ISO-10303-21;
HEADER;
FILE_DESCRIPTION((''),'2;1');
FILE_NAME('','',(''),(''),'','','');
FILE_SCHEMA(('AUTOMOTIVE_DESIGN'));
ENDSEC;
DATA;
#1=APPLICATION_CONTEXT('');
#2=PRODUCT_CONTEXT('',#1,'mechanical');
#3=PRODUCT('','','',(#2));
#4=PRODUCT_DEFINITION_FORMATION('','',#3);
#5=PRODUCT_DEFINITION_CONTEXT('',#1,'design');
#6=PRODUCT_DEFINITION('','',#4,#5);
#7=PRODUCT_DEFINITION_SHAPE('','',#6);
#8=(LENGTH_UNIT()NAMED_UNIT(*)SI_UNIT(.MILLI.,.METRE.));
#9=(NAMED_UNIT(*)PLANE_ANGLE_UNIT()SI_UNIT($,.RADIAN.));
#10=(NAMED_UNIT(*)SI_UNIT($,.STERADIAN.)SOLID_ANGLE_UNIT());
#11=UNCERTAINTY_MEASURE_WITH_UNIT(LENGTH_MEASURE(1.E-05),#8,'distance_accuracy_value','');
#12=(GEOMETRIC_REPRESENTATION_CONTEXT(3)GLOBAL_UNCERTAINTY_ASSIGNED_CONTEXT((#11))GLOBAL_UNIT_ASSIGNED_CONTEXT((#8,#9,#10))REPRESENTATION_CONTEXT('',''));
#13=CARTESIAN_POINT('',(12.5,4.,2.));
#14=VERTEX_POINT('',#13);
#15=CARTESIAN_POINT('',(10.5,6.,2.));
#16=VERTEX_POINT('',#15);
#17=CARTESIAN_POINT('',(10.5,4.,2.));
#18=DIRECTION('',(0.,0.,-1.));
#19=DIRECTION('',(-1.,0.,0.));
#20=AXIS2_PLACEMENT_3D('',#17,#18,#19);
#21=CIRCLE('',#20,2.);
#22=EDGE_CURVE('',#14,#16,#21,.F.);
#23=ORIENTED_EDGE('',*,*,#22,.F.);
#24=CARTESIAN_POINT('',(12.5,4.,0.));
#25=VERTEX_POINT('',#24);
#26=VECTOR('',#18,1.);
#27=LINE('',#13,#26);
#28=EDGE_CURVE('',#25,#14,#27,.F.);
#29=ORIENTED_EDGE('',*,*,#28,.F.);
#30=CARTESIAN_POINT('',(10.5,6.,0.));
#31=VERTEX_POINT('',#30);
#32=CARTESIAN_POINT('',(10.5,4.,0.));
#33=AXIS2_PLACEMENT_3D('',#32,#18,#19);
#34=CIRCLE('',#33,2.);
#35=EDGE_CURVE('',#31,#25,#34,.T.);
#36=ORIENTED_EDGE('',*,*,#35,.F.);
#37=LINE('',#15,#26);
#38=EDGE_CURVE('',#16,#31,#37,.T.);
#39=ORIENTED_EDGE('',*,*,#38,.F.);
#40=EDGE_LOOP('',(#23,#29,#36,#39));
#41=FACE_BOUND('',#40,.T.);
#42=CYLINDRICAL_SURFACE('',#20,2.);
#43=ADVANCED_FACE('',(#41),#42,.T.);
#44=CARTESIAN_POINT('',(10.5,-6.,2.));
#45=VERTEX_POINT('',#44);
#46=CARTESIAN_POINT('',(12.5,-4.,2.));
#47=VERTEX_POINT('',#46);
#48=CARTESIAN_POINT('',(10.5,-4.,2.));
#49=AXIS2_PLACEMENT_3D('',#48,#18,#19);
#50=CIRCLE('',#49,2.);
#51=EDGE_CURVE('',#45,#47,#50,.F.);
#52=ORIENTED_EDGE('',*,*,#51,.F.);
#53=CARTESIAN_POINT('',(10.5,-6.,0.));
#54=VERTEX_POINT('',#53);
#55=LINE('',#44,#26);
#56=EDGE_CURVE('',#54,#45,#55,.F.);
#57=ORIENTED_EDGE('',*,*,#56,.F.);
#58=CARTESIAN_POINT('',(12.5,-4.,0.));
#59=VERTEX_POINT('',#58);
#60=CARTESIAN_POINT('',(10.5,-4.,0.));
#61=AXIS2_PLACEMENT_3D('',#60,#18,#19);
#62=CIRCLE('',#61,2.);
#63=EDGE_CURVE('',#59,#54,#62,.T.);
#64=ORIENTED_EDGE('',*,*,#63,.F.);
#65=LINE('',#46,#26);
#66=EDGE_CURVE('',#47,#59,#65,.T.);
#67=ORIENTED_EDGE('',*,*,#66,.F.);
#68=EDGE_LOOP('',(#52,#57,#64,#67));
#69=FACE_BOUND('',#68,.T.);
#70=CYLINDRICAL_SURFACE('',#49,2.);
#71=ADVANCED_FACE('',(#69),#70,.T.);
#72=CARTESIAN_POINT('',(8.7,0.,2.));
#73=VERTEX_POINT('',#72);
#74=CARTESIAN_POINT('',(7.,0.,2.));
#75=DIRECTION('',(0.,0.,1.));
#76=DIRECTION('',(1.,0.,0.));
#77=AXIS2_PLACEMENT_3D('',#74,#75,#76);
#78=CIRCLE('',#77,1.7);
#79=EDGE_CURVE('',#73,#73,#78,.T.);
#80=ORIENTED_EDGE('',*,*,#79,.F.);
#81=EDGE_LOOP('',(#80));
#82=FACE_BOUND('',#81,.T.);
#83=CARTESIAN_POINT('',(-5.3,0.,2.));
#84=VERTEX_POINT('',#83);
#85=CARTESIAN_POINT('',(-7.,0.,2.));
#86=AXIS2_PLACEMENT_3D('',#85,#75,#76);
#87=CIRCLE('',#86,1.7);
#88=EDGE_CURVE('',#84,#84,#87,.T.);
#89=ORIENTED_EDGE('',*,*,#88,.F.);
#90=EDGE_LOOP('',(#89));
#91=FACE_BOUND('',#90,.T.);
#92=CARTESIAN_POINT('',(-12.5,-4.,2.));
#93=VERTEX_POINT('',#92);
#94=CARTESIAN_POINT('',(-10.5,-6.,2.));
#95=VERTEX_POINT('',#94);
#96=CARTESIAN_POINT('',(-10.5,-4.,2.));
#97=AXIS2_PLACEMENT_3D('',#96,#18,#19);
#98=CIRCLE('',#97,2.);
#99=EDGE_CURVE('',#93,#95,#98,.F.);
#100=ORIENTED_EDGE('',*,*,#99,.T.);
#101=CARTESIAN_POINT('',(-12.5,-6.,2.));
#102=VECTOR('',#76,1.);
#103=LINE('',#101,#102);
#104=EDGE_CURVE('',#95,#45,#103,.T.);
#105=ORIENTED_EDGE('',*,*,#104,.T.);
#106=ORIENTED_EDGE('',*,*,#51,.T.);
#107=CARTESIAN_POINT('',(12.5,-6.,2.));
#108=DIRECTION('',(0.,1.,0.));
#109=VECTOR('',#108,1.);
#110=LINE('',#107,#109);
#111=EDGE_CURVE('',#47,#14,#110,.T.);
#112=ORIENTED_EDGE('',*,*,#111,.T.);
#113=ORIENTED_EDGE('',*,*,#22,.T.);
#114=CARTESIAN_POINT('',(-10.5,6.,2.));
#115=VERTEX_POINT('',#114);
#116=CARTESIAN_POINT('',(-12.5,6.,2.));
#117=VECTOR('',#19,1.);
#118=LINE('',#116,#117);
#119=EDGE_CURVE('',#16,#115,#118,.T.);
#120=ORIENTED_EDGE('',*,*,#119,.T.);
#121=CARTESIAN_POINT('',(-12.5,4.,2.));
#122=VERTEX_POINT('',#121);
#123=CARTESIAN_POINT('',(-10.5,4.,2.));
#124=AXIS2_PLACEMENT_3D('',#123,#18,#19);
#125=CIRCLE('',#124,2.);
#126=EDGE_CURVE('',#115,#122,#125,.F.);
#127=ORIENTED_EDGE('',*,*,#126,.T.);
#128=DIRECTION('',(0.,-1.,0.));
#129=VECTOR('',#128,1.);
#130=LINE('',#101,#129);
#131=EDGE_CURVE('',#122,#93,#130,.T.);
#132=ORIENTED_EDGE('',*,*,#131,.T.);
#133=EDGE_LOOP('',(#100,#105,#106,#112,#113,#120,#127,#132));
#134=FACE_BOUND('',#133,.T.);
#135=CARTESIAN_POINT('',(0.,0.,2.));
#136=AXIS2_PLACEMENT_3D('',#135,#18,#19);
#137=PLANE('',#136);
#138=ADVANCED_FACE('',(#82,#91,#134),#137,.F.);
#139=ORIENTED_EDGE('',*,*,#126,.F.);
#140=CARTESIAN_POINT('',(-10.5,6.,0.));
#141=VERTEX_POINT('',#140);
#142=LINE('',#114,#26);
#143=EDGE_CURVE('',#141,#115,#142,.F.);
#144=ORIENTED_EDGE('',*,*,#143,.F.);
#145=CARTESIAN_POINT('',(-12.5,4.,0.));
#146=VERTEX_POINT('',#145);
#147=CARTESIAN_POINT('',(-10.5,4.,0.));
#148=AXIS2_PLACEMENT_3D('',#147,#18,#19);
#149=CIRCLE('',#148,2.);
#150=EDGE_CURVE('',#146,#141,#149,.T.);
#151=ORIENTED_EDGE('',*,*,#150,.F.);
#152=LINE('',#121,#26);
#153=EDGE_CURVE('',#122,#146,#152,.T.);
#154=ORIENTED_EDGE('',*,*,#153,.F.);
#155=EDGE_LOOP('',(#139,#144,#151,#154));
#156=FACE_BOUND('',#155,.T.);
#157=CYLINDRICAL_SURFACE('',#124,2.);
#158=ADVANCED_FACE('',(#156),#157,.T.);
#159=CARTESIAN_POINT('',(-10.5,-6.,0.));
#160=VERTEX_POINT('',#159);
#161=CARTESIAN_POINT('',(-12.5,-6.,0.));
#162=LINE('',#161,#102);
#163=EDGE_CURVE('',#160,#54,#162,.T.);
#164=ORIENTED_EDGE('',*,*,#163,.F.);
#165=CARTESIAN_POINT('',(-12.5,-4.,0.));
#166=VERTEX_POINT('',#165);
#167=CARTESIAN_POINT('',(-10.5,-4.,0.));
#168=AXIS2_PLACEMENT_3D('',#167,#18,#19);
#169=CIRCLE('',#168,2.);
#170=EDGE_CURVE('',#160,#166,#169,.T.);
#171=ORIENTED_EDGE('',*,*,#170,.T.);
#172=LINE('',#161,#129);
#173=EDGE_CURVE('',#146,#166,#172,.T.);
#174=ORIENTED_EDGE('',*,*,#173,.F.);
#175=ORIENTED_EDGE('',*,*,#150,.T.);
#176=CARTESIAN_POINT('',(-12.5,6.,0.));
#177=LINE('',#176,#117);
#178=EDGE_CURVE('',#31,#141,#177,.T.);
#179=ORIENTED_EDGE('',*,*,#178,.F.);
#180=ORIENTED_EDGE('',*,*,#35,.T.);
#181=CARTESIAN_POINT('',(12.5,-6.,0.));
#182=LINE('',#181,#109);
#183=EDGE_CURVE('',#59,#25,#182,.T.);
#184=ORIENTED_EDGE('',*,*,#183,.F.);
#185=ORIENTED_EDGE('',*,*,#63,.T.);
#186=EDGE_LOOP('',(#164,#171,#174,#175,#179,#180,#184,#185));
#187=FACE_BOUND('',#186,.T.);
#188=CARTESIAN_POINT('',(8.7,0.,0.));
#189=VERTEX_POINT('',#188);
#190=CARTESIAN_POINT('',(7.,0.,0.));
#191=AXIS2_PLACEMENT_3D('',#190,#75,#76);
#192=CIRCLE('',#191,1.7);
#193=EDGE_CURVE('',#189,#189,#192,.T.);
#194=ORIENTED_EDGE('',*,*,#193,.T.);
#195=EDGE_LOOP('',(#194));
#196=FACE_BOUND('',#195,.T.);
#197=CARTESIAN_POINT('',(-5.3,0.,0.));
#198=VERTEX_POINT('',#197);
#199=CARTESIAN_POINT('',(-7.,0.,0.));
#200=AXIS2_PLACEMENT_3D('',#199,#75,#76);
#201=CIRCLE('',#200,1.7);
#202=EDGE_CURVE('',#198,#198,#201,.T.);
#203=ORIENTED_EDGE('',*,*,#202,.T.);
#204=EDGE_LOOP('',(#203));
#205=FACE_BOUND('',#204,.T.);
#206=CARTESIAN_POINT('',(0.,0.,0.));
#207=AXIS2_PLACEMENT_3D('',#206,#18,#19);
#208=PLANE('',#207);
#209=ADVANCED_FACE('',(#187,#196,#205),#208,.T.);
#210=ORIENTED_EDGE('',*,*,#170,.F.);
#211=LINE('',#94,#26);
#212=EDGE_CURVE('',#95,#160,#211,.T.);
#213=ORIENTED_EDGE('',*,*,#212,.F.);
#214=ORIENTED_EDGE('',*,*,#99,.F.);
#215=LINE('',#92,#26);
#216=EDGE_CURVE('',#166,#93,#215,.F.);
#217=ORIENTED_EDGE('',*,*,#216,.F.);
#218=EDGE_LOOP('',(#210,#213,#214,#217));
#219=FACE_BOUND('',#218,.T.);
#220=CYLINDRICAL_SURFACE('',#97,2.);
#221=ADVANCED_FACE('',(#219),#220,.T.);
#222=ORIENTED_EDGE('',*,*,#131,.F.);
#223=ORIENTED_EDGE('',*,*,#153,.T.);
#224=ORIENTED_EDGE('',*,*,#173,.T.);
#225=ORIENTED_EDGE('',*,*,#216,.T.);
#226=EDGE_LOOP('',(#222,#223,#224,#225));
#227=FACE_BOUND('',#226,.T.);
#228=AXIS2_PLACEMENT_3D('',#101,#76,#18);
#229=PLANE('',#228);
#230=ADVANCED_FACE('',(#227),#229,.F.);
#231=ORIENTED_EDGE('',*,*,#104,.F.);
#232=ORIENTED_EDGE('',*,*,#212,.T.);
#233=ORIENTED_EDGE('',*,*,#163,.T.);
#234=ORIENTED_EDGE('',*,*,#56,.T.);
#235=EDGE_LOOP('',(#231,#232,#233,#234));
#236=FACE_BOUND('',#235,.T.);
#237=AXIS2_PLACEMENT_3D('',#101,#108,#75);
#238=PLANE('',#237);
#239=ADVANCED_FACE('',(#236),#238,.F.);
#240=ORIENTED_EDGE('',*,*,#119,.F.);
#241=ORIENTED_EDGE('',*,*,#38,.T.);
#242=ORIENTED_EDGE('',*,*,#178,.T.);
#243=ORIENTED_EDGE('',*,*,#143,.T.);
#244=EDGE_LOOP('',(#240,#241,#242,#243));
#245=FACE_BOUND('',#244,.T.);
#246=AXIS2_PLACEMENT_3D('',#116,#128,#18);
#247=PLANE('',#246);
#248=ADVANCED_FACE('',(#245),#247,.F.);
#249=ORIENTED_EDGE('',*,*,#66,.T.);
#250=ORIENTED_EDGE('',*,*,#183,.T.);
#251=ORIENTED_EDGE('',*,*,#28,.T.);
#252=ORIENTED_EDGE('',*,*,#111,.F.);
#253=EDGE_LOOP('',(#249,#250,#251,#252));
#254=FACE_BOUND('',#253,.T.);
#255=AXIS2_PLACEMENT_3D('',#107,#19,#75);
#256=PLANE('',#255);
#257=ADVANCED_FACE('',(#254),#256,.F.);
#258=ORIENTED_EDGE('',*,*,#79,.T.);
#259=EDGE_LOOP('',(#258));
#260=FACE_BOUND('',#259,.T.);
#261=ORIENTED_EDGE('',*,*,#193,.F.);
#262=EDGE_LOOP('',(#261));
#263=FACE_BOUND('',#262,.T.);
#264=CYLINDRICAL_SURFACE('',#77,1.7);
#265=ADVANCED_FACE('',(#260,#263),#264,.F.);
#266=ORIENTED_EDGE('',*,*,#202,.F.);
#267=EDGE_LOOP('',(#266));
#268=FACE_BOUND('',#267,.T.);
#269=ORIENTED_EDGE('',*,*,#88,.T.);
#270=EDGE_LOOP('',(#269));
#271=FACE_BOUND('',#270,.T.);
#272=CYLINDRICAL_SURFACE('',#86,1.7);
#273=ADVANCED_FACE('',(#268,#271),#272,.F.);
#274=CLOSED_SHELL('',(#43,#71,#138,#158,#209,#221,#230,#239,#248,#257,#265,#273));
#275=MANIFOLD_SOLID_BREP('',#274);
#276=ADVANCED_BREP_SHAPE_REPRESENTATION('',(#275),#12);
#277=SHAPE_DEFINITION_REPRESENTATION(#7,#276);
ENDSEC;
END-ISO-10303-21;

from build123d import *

# Parameters (mm, degrees)
SKETCH1_W            = 25
SKETCH1_H            = 12
BOSS_EXTRUDE1_DEPTH  = 2
M3_CLEARANCE_HOLE1_D = 3.4
FILLET1_R            = 2


with BuildPart() as part:
    # Sketch1 → Boss-Extrude1 (new body)
    with BuildSketch(Plane.XY):
        Rectangle(SKETCH1_W, SKETCH1_H)
    extrude(amount=BOSS_EXTRUDE1_DEPTH)

    # M3 Clearance Hole1 (through all)
    with Locations(Plane.XY.offset(2)):
        with Locations((-7, 0), (7, 0)):
            Hole(M3_CLEARANCE_HOLE1_D / 2)

    # Fillet1
    fillet1_edges = [part.edges().sort_by_distance(p)[0] for p in [
        (12.5, -6, 1),
        (-12.5, -6, 1),
        (-12.5, 6, 1),
        (12.5, 6, 1),
    ]]
    fillet(fillet1_edges, radius=FILLET1_R)


solid = part.part
